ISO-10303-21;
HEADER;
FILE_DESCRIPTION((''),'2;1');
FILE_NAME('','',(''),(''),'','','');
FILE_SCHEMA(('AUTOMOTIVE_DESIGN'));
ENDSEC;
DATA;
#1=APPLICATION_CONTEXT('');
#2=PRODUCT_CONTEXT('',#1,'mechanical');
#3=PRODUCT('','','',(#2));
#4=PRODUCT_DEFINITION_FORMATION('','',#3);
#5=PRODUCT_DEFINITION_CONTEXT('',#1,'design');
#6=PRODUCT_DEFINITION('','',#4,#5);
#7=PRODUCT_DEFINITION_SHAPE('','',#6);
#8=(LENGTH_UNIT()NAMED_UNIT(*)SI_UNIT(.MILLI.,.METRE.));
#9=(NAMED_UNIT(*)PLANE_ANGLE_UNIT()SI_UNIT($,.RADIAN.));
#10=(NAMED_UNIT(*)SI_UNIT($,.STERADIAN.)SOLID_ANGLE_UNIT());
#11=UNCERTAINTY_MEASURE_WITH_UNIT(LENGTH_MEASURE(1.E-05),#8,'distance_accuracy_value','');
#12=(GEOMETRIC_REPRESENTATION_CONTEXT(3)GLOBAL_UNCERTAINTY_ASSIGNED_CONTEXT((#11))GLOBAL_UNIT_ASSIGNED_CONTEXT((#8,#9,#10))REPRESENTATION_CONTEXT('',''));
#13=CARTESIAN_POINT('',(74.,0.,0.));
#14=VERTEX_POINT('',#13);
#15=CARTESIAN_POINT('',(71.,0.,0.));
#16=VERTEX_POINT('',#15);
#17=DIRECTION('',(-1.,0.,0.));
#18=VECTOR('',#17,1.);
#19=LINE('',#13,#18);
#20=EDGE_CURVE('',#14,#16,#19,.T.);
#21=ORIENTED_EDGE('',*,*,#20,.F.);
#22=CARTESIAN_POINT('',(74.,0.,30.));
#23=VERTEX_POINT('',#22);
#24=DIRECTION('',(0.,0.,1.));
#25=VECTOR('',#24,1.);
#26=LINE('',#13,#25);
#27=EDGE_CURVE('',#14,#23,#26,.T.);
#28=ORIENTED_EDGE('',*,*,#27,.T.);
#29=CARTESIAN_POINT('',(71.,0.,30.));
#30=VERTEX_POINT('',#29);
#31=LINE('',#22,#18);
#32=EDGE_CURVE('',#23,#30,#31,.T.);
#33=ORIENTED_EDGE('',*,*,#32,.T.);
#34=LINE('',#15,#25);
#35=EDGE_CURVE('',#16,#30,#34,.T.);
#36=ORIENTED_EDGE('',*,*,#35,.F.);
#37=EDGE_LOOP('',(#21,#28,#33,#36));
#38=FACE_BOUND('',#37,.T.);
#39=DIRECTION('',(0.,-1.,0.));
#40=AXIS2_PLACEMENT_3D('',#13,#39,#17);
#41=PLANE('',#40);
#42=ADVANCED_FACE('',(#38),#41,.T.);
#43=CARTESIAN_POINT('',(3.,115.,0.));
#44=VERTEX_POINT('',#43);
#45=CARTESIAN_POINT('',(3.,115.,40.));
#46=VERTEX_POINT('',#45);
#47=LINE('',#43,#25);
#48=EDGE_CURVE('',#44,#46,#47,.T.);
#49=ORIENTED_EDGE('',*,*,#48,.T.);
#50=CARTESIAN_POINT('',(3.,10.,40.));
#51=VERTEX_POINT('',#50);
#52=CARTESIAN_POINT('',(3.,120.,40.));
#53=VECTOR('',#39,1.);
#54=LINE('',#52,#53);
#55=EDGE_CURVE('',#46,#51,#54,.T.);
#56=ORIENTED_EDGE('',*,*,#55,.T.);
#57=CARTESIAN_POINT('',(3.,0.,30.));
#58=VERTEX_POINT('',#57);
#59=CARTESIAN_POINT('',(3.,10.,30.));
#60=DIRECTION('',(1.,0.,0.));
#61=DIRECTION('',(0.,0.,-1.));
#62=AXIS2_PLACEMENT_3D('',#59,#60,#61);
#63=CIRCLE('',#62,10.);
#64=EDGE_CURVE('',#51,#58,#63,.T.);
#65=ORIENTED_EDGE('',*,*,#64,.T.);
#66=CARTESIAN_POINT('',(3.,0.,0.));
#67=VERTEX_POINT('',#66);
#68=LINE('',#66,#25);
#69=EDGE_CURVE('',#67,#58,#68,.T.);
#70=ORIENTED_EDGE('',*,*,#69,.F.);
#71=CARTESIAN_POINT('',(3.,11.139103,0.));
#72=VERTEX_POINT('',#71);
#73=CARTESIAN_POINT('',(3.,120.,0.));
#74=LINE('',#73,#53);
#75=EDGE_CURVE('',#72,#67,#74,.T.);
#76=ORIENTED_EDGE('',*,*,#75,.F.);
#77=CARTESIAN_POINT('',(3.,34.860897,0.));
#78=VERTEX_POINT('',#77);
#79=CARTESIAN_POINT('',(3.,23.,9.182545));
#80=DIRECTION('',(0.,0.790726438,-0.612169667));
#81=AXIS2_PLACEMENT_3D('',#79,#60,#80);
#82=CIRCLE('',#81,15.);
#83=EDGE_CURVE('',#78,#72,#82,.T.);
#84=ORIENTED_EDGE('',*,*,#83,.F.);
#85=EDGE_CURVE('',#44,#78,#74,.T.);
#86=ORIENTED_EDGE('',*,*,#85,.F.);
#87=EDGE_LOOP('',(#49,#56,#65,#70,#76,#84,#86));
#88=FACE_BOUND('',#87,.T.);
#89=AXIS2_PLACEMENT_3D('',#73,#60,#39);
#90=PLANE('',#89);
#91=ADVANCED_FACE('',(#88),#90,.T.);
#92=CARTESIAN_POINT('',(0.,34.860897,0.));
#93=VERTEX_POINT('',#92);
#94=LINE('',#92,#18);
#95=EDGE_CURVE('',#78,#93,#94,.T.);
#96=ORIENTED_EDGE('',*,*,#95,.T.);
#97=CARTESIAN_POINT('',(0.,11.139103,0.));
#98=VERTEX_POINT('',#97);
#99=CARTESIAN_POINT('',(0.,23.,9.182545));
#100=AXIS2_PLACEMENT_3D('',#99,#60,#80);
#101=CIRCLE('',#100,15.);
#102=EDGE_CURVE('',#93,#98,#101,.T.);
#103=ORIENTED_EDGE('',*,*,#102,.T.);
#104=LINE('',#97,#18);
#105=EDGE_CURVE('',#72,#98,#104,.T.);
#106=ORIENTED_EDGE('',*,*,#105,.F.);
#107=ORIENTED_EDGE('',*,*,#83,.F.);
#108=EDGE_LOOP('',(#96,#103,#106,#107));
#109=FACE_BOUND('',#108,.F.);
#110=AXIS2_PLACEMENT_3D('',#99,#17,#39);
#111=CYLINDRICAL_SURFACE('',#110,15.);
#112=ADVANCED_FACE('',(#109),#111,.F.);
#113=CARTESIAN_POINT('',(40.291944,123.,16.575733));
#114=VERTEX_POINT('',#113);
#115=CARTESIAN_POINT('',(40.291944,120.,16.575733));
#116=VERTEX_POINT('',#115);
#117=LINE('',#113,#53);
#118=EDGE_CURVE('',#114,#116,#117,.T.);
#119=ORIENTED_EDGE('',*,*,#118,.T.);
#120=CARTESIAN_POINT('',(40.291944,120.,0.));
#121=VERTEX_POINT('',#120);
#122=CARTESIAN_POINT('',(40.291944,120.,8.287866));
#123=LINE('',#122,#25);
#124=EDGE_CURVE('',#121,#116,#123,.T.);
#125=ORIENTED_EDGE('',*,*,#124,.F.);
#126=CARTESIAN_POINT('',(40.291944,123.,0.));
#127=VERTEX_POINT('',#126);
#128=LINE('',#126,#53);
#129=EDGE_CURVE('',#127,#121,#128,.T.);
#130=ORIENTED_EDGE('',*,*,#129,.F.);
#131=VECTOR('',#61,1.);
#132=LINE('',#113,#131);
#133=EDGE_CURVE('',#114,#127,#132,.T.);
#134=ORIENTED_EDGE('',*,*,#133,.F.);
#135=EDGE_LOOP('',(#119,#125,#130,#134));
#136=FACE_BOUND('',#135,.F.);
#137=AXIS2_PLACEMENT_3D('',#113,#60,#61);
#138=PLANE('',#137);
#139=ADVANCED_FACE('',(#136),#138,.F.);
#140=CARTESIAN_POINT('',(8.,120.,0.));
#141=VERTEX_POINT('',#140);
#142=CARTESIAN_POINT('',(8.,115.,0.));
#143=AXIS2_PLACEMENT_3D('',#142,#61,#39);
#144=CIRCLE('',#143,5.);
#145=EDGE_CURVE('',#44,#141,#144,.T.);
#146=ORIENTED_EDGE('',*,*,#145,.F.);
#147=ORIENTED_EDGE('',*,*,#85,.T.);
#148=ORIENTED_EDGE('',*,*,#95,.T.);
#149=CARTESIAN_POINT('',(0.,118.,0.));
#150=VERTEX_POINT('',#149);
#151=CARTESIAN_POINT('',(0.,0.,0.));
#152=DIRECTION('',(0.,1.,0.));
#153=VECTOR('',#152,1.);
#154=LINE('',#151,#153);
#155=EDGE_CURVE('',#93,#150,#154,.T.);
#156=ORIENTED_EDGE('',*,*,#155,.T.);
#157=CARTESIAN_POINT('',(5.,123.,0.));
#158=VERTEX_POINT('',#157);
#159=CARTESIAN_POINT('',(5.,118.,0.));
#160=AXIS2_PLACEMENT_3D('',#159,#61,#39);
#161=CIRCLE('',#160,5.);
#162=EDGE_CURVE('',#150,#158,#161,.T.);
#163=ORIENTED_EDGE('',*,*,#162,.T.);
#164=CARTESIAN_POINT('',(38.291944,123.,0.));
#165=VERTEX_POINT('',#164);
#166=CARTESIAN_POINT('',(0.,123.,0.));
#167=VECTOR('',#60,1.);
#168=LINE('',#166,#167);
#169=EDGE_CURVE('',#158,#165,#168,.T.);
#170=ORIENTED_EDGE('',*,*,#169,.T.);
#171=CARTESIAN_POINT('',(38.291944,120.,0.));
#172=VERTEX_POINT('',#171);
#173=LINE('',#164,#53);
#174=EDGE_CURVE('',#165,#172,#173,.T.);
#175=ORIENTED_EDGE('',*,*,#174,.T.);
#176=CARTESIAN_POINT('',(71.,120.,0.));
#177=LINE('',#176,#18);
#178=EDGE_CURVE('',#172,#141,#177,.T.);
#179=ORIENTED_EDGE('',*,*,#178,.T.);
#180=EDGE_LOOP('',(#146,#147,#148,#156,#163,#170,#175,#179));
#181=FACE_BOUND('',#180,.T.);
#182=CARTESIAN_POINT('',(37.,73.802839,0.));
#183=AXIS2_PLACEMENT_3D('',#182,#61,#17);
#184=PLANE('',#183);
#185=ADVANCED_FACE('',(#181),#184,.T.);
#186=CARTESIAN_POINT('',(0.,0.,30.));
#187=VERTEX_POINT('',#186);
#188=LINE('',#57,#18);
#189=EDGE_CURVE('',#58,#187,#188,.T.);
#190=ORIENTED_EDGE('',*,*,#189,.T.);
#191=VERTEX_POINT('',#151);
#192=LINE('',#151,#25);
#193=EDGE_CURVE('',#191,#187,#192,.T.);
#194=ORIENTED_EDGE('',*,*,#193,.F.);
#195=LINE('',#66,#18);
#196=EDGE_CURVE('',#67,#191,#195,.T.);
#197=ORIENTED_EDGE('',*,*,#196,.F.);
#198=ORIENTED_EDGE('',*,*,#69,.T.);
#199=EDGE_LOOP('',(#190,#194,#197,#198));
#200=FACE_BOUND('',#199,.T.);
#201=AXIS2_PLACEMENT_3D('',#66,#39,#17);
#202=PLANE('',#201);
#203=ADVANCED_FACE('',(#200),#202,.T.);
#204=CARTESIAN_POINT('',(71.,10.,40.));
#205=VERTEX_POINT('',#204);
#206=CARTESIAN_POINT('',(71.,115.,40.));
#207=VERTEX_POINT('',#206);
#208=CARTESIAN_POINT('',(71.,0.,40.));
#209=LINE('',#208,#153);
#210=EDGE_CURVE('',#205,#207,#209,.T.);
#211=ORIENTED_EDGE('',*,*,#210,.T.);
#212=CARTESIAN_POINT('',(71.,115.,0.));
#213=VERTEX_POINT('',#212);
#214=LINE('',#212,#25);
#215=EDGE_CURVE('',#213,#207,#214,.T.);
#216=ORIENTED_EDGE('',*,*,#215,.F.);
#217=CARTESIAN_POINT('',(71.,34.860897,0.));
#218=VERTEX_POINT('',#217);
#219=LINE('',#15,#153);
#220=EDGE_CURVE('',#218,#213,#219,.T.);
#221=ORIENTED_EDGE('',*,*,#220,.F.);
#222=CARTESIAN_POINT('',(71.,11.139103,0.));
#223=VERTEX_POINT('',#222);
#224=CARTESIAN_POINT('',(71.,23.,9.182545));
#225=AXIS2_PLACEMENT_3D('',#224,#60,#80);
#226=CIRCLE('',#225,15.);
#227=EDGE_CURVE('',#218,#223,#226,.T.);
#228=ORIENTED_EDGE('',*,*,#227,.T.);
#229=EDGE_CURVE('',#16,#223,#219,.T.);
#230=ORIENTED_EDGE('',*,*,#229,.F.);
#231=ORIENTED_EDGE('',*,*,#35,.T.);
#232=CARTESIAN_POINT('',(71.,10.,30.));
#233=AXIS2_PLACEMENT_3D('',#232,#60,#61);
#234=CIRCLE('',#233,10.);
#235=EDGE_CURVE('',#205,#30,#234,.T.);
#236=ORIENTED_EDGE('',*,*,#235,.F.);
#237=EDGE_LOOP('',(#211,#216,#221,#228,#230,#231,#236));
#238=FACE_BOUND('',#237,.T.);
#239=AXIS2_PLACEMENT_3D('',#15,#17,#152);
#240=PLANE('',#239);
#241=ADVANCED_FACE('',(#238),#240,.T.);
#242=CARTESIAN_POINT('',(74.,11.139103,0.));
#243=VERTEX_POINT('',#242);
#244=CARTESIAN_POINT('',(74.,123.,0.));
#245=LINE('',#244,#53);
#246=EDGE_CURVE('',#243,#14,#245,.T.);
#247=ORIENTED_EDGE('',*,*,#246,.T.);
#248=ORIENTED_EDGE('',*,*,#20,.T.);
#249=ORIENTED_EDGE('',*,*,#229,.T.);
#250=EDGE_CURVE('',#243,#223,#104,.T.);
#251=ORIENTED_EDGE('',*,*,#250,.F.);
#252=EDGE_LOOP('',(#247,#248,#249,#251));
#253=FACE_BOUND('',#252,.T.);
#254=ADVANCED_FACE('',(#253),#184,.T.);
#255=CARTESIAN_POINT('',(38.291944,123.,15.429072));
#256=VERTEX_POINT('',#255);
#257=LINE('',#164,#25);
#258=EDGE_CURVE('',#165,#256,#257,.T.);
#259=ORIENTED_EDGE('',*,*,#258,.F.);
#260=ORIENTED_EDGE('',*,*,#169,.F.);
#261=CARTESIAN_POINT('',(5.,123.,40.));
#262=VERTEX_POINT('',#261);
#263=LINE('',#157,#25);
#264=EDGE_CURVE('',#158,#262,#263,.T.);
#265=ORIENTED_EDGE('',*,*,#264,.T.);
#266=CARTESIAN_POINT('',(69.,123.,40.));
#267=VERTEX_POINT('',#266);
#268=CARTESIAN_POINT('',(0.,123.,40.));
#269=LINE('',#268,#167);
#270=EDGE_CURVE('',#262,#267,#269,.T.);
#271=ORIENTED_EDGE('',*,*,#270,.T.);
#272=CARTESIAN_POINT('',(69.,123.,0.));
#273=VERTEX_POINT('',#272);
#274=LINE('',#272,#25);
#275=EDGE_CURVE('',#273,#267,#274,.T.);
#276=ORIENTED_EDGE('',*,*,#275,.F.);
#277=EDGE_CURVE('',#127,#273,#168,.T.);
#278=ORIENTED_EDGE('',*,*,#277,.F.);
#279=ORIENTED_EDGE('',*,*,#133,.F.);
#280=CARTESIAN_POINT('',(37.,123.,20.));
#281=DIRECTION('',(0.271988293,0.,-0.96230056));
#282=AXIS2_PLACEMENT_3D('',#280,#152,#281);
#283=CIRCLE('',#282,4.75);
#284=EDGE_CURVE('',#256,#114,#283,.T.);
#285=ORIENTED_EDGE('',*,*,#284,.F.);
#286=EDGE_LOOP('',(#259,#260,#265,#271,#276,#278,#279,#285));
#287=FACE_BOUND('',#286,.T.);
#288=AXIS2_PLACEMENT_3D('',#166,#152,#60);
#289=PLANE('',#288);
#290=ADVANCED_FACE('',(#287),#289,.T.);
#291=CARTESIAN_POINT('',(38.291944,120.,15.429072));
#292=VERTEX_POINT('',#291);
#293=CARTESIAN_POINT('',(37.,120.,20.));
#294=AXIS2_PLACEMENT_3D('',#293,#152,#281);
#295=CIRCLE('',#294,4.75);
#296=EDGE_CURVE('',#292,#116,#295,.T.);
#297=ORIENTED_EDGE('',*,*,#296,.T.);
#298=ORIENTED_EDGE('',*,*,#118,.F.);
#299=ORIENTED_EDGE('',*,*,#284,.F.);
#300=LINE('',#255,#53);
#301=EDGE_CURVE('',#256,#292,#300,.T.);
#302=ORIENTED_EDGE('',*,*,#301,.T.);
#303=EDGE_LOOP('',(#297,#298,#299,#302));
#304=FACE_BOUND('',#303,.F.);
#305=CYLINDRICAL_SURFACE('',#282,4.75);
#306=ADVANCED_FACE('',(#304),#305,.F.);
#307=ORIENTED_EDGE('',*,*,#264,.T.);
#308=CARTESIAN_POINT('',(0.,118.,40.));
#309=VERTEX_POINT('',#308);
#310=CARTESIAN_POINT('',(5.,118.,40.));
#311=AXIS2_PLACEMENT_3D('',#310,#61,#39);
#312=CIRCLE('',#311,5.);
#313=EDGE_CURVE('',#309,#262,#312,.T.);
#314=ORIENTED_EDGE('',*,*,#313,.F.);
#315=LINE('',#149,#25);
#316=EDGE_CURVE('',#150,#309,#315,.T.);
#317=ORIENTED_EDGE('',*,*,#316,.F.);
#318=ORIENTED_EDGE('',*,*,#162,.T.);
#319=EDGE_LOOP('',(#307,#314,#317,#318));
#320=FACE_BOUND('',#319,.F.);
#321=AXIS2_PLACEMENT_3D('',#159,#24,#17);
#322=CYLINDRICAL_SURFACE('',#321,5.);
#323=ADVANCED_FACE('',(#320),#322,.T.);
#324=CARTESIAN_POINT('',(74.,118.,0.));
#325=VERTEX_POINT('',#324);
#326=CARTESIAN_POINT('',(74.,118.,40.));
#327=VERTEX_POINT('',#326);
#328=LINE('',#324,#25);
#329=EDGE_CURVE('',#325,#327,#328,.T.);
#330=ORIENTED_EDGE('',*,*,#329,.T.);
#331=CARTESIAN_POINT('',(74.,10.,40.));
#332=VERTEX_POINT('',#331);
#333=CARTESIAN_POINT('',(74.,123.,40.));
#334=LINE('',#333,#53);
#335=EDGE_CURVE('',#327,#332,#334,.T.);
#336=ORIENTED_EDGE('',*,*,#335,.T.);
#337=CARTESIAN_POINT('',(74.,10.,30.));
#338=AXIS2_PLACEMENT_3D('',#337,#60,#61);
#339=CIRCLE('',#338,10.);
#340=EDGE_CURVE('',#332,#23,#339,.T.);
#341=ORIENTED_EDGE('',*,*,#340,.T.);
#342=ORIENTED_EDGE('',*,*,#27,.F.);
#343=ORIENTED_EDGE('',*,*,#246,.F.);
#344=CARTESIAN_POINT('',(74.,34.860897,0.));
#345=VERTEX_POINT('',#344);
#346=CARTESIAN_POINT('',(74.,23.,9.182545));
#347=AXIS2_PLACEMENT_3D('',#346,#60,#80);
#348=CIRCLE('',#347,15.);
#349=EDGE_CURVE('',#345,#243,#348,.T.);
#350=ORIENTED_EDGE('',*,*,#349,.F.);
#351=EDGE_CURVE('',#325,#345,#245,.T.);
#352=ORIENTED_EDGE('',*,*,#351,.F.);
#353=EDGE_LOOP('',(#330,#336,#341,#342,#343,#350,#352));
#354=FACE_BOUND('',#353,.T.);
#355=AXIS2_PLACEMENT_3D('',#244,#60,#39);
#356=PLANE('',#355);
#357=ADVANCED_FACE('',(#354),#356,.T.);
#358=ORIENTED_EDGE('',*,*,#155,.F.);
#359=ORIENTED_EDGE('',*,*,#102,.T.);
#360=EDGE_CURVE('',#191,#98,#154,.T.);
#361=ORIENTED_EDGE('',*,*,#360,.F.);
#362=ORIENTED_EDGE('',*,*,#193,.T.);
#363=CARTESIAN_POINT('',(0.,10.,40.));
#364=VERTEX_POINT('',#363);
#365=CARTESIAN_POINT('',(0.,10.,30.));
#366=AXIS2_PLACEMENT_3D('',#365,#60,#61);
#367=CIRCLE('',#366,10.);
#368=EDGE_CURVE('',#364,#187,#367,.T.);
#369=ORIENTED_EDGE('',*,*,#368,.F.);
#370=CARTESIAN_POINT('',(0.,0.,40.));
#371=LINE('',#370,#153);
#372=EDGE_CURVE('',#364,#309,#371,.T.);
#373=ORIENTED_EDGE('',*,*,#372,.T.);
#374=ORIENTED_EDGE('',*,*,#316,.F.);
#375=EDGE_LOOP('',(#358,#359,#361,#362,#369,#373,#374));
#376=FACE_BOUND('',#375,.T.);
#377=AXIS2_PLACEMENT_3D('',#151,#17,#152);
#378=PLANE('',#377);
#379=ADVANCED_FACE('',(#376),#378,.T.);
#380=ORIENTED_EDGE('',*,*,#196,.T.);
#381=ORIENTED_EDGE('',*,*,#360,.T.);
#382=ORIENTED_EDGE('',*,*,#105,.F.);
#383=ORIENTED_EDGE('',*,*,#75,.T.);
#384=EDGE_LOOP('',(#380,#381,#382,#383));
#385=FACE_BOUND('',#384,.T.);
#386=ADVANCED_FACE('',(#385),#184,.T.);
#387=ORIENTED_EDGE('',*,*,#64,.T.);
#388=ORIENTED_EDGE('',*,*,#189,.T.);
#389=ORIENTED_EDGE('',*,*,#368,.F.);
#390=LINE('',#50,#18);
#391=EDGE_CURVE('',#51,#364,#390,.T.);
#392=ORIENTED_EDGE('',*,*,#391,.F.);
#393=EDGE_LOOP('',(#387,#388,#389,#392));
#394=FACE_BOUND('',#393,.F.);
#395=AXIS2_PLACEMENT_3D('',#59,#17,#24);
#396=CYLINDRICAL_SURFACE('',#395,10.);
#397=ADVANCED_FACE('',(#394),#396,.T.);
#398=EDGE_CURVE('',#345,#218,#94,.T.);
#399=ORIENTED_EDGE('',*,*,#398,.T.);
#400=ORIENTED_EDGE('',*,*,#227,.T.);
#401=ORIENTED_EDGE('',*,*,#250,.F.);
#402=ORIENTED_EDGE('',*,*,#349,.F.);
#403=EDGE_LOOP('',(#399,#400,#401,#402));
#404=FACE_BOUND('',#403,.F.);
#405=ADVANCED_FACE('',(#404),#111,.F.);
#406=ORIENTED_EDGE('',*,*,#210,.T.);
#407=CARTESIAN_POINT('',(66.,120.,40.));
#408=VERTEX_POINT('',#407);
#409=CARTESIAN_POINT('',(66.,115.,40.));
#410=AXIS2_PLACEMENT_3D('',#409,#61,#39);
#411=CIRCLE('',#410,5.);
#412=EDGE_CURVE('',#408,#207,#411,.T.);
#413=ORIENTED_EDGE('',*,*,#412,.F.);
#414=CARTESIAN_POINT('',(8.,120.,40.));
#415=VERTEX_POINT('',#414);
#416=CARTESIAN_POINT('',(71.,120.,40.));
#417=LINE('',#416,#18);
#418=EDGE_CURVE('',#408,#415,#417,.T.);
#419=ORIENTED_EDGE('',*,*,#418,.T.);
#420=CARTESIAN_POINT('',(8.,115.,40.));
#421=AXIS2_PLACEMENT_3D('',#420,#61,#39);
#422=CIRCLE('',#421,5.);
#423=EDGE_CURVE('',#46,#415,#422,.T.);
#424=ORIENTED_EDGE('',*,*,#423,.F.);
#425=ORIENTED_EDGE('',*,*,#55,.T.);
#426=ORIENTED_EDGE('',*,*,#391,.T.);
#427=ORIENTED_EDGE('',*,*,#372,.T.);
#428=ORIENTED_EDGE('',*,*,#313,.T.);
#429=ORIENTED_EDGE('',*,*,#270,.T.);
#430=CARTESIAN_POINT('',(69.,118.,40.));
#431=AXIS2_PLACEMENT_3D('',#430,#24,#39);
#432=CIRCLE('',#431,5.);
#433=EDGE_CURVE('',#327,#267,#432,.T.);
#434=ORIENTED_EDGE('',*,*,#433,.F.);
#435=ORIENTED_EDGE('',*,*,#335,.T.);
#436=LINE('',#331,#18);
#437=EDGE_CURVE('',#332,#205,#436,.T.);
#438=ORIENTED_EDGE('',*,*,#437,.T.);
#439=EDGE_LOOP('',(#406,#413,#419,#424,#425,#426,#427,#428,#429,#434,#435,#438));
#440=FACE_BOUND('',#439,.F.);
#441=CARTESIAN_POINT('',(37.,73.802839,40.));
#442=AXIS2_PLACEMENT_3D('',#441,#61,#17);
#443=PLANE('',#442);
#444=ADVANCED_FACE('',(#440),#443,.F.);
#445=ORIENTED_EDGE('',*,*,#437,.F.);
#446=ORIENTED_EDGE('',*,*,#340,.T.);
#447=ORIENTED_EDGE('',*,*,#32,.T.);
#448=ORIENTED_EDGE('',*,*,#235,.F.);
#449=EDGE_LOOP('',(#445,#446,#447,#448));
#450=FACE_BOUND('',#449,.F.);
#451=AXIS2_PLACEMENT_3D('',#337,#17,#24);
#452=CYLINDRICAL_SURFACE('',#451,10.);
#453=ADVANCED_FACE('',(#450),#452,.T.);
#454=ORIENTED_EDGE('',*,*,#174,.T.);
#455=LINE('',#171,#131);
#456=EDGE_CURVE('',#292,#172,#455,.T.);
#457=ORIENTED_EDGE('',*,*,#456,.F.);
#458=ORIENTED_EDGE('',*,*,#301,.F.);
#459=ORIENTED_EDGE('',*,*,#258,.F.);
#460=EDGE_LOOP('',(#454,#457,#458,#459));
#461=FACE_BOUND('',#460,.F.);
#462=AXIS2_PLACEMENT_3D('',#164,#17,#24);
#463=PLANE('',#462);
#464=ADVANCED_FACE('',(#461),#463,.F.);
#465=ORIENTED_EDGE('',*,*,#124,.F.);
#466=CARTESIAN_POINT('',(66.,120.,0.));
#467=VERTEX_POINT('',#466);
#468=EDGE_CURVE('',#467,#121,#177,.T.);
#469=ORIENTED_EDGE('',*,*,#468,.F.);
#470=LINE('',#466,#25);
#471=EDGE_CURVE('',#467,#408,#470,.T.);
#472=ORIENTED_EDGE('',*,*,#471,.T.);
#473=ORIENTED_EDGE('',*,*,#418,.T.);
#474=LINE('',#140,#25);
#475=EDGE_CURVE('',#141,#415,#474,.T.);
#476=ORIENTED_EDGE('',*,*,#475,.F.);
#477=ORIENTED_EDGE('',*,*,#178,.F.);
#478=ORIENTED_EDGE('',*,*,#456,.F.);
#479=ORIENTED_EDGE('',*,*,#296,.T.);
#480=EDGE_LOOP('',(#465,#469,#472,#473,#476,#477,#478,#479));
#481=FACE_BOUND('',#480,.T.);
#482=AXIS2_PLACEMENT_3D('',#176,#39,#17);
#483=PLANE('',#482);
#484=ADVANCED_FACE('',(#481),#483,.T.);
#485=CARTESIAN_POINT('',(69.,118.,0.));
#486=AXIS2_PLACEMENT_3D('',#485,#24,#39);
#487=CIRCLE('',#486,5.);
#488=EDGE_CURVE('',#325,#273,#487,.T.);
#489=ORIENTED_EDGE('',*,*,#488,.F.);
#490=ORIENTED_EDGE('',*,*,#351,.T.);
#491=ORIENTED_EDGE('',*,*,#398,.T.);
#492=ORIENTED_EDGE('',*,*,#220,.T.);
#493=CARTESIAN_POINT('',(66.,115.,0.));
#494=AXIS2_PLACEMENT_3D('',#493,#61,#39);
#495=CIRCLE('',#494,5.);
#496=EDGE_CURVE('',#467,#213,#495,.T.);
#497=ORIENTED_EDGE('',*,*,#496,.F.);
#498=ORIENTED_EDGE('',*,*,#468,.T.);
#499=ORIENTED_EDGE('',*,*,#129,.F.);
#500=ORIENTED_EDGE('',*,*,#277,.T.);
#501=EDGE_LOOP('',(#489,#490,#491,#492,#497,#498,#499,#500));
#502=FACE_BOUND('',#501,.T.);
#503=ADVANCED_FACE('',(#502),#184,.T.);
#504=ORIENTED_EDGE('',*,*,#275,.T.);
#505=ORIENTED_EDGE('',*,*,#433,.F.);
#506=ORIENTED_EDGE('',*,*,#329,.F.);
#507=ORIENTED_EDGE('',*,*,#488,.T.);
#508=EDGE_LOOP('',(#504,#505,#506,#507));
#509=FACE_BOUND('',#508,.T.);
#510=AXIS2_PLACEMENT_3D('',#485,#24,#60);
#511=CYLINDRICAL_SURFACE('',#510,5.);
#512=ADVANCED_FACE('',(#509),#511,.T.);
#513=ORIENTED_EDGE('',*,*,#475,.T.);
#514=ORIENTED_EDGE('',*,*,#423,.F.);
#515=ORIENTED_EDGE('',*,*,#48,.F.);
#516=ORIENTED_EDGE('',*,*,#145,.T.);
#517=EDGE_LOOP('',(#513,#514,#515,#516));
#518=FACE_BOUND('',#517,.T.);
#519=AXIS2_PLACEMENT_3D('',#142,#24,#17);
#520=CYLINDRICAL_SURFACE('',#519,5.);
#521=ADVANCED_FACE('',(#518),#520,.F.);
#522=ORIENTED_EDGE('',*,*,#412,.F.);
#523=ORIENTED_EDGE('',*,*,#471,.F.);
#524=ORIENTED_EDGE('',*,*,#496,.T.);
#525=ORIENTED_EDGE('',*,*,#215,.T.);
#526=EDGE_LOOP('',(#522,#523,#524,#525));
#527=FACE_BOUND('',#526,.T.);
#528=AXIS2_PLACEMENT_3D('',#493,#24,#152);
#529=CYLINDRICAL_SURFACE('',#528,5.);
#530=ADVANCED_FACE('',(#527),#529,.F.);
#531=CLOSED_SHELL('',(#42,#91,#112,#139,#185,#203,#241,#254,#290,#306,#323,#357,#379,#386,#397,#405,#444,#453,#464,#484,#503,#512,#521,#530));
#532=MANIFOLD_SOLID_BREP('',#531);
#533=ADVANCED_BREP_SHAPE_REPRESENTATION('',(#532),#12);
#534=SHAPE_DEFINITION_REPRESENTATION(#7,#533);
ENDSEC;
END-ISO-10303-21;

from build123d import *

# Parameters (mm, degrees)
PAD_DEPTH       = 40
SKETCH001_R     = 15
POCKET_DEPTH    = 74.001
FILLET_R        = 5
FILLET001_R     = 10
POCKET001_DEPTH = 5


with BuildPart() as part:
    # Sketch → Pad (new body)
    with BuildSketch(Plane.XY):
        Polygon((0, 0), (0, 123), (74, 123), (74, 0), (71, 0), (71, 120), (3, 120), (3, 0), align=None)
    extrude(amount=PAD_DEPTH)

    # Sketch001 → Pocket (cut, through all)
    with BuildSketch(Plane(origin=(0, 0, 0), x_dir=(0, -1, 0), z_dir=(-1, 0, 0))):
        with Locations((-23, 9.182545)):
            Circle(SKETCH001_R)
    extrude(amount=-POCKET_DEPTH, mode=Mode.SUBTRACT)

    # Fillet
    fillet_edges = [part.edges().sort_by_distance(p)[0] for p in [
        (0, 123, 20),
        (74, 123, 20),
        (71, 120, 20),
        (3, 120, 20),
    ]]
    fillet(fillet_edges, radius=FILLET_R)

    # Fillet001
    fillet001_edges = [part.edges().sort_by_distance(p)[0] for p in [
        (72.5, 0, 40),
        (1.5, 0, 40),
    ]]
    fillet(fillet001_edges, radius=FILLET001_R)

    # Sketch002 → Pocket001 (cut)
    with BuildSketch(Plane(origin=(0, 123, 0), x_dir=(-1, 0, 0), z_dir=(0, 1, 0))):
        with BuildLine():
            ThreePointArc((-38.291944, 15.429072), (-34.637435, 24.120775), (-40.291944, 16.575733))
            Line((-40.291944, 16.575733), (-40.291944, 0))
            Line((-40.291944, 0), (-38.291944, 0))
            Line((-38.291944, 0), (-38.291944, 15.429072))
        make_face()
    extrude(amount=-POCKET001_DEPTH, mode=Mode.SUBTRACT)


solid = part.part
